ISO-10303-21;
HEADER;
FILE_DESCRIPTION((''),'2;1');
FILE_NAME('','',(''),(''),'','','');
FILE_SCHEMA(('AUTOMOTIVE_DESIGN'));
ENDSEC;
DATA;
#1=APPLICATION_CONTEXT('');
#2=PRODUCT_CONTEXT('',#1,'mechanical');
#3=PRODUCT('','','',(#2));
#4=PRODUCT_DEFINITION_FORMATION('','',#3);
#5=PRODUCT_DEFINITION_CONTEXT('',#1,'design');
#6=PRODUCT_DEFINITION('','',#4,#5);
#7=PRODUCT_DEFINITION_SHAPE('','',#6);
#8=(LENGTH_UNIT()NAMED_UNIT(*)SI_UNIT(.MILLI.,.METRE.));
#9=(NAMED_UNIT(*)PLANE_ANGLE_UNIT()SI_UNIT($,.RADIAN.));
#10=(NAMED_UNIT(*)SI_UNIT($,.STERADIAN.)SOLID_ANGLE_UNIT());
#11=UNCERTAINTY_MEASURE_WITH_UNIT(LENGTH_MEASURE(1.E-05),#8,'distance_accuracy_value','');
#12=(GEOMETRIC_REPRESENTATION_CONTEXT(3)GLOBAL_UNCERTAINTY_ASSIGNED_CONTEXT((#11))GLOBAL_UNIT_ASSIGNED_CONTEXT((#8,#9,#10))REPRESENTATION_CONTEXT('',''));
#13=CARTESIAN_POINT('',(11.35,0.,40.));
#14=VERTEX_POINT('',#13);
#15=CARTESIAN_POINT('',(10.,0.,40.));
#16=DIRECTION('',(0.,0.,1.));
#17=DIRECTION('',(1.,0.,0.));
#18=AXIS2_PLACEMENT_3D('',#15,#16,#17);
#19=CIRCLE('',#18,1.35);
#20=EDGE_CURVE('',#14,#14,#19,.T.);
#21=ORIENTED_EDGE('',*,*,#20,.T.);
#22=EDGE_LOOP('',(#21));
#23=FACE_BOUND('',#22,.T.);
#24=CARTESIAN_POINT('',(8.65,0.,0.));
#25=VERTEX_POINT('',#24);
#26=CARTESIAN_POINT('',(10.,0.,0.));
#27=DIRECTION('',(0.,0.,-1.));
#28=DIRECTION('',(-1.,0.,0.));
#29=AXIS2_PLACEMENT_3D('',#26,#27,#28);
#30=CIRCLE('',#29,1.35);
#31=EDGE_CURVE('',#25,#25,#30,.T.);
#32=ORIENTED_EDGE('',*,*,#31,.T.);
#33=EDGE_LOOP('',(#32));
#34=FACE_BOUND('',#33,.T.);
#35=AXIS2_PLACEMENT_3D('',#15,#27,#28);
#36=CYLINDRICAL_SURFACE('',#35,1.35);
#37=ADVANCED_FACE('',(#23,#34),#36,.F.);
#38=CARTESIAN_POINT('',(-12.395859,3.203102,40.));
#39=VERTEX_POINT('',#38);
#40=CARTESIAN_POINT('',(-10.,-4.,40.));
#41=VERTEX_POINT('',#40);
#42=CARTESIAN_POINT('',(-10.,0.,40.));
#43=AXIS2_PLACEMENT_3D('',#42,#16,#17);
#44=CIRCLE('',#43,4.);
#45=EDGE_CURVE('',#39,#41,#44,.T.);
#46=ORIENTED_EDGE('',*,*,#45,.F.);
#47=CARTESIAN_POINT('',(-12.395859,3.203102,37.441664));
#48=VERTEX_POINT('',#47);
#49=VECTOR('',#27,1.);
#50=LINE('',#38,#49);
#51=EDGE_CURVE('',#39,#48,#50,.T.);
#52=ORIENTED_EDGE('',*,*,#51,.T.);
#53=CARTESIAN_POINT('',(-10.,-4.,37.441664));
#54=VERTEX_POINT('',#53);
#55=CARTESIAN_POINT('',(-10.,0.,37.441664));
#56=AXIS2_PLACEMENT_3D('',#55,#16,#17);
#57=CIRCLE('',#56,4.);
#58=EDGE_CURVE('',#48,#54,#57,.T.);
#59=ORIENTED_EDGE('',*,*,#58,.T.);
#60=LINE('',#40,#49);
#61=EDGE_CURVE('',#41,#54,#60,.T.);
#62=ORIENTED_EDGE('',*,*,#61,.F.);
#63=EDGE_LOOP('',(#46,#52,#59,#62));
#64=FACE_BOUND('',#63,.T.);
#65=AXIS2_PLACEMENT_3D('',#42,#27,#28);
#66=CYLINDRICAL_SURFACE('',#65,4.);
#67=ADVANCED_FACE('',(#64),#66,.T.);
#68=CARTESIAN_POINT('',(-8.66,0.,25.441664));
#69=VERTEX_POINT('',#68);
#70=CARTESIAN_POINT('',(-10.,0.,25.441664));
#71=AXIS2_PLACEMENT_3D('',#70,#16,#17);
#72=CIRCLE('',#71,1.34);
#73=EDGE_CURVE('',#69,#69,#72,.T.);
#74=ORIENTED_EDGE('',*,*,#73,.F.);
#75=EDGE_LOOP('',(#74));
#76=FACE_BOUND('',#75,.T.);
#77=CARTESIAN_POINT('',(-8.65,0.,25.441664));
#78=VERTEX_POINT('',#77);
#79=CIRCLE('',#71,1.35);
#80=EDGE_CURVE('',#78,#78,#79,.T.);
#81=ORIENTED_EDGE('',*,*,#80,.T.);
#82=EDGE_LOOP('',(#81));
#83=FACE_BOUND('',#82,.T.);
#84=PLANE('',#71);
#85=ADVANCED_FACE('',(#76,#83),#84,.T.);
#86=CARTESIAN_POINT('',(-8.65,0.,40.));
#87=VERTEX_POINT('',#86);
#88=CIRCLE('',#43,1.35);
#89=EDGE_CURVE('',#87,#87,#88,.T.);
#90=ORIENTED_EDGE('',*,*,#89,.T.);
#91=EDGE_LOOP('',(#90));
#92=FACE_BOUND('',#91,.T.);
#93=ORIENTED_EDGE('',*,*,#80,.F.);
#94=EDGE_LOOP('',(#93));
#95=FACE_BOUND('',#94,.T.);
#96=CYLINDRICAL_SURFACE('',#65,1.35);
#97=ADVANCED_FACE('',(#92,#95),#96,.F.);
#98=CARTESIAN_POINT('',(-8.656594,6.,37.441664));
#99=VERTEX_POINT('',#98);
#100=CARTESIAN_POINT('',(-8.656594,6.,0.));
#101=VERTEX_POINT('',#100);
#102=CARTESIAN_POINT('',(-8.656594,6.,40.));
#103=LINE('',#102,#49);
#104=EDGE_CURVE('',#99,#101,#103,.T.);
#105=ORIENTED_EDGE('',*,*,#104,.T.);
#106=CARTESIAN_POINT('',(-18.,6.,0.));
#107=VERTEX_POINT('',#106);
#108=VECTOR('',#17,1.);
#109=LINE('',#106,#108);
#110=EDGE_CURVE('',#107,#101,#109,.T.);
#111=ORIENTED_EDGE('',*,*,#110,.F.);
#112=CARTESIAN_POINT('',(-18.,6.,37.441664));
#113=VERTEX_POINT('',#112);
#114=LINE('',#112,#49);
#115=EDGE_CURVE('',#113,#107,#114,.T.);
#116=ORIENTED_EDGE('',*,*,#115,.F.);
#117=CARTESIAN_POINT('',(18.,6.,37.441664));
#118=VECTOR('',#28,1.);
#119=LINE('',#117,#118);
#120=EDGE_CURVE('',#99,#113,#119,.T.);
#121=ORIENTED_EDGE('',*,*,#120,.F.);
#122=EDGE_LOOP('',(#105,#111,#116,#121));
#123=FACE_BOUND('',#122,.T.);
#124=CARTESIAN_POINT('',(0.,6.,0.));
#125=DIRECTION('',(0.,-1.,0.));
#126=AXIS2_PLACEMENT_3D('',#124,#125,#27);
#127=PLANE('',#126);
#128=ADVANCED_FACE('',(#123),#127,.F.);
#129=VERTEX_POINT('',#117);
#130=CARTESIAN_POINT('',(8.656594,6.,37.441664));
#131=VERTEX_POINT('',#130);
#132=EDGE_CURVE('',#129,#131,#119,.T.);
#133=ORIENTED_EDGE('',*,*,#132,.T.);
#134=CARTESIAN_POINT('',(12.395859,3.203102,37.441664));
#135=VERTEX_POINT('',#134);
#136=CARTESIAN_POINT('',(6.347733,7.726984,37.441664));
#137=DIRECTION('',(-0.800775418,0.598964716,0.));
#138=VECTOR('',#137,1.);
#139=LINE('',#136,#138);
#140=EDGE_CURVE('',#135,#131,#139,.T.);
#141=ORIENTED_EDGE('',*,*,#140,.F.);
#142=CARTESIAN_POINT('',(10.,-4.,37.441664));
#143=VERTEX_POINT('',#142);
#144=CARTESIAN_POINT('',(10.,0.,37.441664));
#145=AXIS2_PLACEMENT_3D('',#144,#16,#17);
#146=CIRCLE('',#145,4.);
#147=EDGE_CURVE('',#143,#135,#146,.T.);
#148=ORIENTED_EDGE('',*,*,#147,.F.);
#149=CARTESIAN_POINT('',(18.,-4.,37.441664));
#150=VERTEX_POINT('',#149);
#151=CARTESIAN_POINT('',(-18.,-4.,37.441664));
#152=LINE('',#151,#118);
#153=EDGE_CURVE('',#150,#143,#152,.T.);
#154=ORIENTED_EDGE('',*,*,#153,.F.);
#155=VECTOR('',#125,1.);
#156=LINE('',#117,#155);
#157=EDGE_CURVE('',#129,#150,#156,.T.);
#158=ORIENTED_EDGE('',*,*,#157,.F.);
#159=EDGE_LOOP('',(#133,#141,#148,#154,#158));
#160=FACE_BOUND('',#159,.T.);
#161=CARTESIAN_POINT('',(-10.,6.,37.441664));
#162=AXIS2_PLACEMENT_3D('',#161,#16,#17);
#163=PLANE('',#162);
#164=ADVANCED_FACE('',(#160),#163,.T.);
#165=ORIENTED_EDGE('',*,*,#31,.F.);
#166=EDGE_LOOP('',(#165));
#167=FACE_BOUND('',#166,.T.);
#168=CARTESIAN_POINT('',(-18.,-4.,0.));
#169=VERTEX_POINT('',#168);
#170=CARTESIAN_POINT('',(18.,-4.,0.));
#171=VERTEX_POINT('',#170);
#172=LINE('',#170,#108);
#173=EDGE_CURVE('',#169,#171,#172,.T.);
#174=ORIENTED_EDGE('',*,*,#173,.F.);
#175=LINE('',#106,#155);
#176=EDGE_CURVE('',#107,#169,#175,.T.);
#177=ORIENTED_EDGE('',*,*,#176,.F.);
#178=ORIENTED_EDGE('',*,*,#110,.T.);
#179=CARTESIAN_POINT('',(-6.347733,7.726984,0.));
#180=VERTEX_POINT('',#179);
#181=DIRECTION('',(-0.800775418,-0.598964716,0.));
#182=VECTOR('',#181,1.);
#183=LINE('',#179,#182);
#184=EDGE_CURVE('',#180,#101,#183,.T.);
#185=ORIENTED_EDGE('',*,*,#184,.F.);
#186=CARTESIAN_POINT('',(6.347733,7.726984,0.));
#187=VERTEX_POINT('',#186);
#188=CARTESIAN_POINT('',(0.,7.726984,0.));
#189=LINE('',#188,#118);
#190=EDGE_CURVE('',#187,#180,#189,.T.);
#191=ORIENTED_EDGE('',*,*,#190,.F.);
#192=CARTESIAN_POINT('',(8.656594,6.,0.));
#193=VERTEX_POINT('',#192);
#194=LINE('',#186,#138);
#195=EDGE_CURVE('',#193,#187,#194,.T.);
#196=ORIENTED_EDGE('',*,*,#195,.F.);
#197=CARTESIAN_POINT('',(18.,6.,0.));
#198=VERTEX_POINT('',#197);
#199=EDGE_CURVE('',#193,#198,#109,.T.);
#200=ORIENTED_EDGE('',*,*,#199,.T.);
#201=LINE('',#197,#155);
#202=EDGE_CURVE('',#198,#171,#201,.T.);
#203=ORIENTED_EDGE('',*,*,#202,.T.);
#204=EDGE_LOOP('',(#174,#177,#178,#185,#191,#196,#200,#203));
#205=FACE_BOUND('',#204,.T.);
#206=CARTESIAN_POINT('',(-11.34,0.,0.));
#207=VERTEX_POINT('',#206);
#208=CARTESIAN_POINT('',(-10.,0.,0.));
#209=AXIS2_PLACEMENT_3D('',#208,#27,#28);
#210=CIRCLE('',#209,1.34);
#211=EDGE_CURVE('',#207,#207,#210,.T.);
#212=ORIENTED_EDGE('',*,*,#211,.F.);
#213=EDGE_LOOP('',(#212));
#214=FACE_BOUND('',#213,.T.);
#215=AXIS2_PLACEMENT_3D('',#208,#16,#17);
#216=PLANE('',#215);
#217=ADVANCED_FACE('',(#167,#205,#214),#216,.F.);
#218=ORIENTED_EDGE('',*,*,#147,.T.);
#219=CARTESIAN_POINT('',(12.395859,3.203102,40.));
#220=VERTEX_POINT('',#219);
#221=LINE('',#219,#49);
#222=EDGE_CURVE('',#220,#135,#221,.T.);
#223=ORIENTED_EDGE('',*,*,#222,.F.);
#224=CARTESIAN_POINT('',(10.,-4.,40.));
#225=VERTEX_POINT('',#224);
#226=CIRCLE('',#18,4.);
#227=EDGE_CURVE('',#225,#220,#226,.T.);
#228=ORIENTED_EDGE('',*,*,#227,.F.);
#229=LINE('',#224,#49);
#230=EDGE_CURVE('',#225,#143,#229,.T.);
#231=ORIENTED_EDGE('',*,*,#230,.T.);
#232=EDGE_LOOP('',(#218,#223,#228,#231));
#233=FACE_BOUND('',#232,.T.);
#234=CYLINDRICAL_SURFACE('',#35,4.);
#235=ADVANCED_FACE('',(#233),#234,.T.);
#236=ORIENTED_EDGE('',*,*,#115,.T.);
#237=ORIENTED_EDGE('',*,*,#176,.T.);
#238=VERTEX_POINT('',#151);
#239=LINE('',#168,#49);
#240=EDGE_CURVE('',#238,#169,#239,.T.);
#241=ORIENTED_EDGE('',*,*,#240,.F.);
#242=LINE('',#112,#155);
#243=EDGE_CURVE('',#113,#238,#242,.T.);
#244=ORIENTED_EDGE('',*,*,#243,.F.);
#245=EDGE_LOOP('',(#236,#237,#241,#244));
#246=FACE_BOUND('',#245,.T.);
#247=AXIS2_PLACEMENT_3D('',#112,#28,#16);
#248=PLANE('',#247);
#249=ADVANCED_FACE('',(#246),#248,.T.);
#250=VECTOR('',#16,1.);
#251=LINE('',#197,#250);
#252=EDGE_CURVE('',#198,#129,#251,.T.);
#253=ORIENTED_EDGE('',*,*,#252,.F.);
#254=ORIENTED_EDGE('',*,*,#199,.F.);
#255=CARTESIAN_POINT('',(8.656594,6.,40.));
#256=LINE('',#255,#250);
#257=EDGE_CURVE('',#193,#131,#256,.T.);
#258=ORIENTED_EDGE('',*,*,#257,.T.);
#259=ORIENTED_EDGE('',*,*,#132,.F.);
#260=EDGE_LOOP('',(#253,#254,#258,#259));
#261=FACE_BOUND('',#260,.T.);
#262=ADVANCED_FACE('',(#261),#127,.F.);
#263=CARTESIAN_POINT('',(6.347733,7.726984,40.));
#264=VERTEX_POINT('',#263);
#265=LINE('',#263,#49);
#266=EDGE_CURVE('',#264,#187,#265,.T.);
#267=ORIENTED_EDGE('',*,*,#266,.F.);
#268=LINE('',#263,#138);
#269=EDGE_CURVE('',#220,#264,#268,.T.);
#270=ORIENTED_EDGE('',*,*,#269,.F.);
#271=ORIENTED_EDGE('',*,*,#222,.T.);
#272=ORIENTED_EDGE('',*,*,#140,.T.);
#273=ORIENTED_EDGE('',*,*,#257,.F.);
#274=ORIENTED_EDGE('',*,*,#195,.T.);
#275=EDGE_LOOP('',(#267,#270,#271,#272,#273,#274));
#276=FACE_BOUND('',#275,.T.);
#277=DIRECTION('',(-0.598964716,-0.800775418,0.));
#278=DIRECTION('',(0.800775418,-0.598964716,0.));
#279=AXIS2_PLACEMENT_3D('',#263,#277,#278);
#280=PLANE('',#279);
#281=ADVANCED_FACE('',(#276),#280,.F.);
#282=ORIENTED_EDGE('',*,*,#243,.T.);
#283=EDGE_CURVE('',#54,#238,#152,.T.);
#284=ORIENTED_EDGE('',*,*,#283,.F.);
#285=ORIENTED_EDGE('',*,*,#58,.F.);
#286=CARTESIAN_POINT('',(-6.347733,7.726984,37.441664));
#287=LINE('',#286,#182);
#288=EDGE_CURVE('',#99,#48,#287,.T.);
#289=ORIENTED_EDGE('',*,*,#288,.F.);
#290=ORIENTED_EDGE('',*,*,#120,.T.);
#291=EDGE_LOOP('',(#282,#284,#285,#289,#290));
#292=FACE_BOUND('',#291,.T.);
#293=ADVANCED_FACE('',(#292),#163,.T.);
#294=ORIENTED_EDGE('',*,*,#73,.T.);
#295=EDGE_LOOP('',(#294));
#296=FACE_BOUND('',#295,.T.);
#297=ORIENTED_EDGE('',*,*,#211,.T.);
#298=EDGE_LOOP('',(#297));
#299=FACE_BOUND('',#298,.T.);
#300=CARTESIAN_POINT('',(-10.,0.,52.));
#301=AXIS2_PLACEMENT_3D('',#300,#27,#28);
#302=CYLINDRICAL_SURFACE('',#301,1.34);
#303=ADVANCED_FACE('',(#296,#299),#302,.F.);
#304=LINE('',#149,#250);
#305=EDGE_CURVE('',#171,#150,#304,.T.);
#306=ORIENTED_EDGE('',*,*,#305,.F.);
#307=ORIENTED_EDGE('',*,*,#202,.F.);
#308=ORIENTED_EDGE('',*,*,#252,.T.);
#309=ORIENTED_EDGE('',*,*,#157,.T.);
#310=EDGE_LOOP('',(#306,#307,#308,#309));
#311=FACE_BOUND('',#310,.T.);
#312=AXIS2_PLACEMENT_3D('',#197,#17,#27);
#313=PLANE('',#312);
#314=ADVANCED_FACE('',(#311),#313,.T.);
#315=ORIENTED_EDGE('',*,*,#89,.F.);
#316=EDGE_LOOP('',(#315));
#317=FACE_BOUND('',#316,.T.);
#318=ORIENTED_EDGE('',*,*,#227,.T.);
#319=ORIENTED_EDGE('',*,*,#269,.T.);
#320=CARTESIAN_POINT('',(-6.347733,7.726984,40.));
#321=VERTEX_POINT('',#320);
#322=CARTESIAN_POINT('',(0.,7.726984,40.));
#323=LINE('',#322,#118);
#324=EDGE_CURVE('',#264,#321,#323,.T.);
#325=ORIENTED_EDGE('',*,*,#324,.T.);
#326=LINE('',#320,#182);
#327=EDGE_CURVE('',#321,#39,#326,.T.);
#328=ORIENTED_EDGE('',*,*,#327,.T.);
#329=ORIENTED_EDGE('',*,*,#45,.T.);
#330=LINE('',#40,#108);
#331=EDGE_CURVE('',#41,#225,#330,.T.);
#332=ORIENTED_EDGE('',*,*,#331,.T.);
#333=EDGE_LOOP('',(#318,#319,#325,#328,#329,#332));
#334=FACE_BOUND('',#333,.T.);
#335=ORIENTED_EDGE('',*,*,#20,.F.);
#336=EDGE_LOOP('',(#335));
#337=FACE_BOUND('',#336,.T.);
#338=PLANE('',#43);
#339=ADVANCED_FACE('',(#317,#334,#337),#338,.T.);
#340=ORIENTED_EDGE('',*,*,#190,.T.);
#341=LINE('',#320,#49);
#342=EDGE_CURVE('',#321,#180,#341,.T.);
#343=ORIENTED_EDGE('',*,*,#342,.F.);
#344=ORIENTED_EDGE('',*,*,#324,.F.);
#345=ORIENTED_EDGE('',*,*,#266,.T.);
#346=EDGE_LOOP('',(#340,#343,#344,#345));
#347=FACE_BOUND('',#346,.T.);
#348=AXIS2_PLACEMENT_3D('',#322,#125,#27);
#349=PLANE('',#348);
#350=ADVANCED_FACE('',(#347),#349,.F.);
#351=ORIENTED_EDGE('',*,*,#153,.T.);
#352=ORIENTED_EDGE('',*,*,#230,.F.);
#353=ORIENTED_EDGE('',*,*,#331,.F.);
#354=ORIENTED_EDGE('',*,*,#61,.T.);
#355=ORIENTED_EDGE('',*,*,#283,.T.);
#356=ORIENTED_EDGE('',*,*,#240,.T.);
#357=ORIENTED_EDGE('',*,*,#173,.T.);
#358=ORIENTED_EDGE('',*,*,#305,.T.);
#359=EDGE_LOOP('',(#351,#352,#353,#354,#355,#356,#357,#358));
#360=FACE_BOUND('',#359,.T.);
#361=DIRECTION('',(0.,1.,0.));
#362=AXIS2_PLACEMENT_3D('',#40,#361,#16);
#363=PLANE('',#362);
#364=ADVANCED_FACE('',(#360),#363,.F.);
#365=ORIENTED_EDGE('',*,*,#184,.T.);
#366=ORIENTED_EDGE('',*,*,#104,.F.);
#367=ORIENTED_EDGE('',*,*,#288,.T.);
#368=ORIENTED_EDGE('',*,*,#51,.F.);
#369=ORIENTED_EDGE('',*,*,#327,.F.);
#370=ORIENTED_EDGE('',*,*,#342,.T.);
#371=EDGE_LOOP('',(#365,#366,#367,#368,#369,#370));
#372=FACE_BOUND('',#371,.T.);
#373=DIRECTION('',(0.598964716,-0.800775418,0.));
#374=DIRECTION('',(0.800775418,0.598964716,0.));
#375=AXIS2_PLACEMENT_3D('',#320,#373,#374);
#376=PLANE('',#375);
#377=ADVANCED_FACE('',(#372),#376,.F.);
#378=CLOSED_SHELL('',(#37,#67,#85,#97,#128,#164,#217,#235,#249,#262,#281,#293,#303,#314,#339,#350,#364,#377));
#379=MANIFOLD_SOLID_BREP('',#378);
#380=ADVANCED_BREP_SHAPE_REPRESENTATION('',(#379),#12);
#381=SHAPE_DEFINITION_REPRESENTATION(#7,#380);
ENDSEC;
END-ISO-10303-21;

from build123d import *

# Parameters (mm, degrees)
SKETCH_1_R          = 1.35
EXTRUDE_1_DEPTH     = 40
EXTRUDE_2_DEPTH     = 10
SKETCH_3_W          = 36
SKETCH_3_H          = 37.441664415
SKETCH_3_R          = 11
EXTRUDE_3_DEPTH     = 5
SKETCH_7_W          = 36
SKETCH_7_H          = 37.441664415
CUT_EXTRUDE_4_DEPTH = 5
CUT_EXTRUDE_START   = -12
SKETCH_8_R          = 1.35
CUT_EXTRUDE_5_DEPTH = 12
SKETCH_10_R         = 1.34
SKETCH_10_R_2       = 1.35
CUT_EXTRUDE_6_DEPTH = 52


with BuildPart() as part:
    # 草图1 → 凸台-拉伸1 (new body)
    with BuildSketch(Plane.XY):
        with BuildLine():
            Line((-10, -4), (10, -4))
            ThreePointArc((10, -4), (13.795550466, -1.262456597), (12.395858862, 3.203101671))
            Line((12.395858862, 3.203101671), (6.347732719, 7.726984491))
            Line((6.347732719, 7.726984491), (0, 7.726984491))
            Line((0, 7.726984491), (-6.347732719, 7.726984491))
            Line((-6.347732719, 7.726984491), (-12.395858862, 3.203101671))
            ThreePointArc((-12.395858862, 3.203101671), (-13.795550466, -1.262456597), (-10, -4))
        make_face()
        with Locations((10, 0)):
            Circle(SKETCH_1_R, mode=Mode.SUBTRACT)
        with Locations((-10, 0)):
            Circle(SKETCH_1_R, mode=Mode.SUBTRACT)
    extrude(amount=EXTRUDE_1_DEPTH)

    # 草图2 → 凸台-拉伸2 (add)
    with BuildSketch(Plane.XZ.offset(4)):
        Polygon((-10, 37.441664415), (-18, 37.441664415), (-18, 0), (0, 0), (10, 0), (18, 0), (18, 37.441664415), align=None)
    extrude(amount=-EXTRUDE_2_DEPTH)

    # 草图3 → 凸台-拉伸3 (add)
    with BuildSketch(Plane.XZ.offset(4)):
        with Locations((0, 18.720832208)):
            Rectangle(SKETCH_3_W, SKETCH_3_H)
        with Locations(Location((0, 16, 0), (0, 0, 270))):
            Circle(SKETCH_3_R, mode=Mode.SUBTRACT)
    extrude(amount=EXTRUDE_3_DEPTH)

    # 草图7 → 切除-拉伸4 (cut)
    with BuildSketch(Plane.XZ.offset(9)):
        with Locations((0, 18.720832208)):
            Rectangle(SKETCH_7_W, SKETCH_7_H)
    extrude(amount=-CUT_EXTRUDE_4_DEPTH, mode=Mode.SUBTRACT)

    # 草图8 → 切除-拉伸5 (cut)
    with BuildSketch(Plane.XY.offset(37.441664415).offset(CUT_EXTRUDE_START)):
        with Locations((10, 0)):
            Circle(SKETCH_8_R)
        with Locations((-10, 0)):
            Circle(SKETCH_8_R)
    extrude(amount=CUT_EXTRUDE_5_DEPTH, mode=Mode.SUBTRACT)

    # 草图10 → 切除-拉伸6 (cut)
    with BuildSketch(Plane(origin=(0, 0, 0), x_dir=(-1, 0, 0), z_dir=(0, 0, -1))):
        with Locations((10, 0)):
            Circle(SKETCH_10_R)
        with Locations((-10, 0)):
            Circle(SKETCH_10_R_2)
    extrude(amount=-CUT_EXTRUDE_6_DEPTH, mode=Mode.SUBTRACT)


solid = part.part
